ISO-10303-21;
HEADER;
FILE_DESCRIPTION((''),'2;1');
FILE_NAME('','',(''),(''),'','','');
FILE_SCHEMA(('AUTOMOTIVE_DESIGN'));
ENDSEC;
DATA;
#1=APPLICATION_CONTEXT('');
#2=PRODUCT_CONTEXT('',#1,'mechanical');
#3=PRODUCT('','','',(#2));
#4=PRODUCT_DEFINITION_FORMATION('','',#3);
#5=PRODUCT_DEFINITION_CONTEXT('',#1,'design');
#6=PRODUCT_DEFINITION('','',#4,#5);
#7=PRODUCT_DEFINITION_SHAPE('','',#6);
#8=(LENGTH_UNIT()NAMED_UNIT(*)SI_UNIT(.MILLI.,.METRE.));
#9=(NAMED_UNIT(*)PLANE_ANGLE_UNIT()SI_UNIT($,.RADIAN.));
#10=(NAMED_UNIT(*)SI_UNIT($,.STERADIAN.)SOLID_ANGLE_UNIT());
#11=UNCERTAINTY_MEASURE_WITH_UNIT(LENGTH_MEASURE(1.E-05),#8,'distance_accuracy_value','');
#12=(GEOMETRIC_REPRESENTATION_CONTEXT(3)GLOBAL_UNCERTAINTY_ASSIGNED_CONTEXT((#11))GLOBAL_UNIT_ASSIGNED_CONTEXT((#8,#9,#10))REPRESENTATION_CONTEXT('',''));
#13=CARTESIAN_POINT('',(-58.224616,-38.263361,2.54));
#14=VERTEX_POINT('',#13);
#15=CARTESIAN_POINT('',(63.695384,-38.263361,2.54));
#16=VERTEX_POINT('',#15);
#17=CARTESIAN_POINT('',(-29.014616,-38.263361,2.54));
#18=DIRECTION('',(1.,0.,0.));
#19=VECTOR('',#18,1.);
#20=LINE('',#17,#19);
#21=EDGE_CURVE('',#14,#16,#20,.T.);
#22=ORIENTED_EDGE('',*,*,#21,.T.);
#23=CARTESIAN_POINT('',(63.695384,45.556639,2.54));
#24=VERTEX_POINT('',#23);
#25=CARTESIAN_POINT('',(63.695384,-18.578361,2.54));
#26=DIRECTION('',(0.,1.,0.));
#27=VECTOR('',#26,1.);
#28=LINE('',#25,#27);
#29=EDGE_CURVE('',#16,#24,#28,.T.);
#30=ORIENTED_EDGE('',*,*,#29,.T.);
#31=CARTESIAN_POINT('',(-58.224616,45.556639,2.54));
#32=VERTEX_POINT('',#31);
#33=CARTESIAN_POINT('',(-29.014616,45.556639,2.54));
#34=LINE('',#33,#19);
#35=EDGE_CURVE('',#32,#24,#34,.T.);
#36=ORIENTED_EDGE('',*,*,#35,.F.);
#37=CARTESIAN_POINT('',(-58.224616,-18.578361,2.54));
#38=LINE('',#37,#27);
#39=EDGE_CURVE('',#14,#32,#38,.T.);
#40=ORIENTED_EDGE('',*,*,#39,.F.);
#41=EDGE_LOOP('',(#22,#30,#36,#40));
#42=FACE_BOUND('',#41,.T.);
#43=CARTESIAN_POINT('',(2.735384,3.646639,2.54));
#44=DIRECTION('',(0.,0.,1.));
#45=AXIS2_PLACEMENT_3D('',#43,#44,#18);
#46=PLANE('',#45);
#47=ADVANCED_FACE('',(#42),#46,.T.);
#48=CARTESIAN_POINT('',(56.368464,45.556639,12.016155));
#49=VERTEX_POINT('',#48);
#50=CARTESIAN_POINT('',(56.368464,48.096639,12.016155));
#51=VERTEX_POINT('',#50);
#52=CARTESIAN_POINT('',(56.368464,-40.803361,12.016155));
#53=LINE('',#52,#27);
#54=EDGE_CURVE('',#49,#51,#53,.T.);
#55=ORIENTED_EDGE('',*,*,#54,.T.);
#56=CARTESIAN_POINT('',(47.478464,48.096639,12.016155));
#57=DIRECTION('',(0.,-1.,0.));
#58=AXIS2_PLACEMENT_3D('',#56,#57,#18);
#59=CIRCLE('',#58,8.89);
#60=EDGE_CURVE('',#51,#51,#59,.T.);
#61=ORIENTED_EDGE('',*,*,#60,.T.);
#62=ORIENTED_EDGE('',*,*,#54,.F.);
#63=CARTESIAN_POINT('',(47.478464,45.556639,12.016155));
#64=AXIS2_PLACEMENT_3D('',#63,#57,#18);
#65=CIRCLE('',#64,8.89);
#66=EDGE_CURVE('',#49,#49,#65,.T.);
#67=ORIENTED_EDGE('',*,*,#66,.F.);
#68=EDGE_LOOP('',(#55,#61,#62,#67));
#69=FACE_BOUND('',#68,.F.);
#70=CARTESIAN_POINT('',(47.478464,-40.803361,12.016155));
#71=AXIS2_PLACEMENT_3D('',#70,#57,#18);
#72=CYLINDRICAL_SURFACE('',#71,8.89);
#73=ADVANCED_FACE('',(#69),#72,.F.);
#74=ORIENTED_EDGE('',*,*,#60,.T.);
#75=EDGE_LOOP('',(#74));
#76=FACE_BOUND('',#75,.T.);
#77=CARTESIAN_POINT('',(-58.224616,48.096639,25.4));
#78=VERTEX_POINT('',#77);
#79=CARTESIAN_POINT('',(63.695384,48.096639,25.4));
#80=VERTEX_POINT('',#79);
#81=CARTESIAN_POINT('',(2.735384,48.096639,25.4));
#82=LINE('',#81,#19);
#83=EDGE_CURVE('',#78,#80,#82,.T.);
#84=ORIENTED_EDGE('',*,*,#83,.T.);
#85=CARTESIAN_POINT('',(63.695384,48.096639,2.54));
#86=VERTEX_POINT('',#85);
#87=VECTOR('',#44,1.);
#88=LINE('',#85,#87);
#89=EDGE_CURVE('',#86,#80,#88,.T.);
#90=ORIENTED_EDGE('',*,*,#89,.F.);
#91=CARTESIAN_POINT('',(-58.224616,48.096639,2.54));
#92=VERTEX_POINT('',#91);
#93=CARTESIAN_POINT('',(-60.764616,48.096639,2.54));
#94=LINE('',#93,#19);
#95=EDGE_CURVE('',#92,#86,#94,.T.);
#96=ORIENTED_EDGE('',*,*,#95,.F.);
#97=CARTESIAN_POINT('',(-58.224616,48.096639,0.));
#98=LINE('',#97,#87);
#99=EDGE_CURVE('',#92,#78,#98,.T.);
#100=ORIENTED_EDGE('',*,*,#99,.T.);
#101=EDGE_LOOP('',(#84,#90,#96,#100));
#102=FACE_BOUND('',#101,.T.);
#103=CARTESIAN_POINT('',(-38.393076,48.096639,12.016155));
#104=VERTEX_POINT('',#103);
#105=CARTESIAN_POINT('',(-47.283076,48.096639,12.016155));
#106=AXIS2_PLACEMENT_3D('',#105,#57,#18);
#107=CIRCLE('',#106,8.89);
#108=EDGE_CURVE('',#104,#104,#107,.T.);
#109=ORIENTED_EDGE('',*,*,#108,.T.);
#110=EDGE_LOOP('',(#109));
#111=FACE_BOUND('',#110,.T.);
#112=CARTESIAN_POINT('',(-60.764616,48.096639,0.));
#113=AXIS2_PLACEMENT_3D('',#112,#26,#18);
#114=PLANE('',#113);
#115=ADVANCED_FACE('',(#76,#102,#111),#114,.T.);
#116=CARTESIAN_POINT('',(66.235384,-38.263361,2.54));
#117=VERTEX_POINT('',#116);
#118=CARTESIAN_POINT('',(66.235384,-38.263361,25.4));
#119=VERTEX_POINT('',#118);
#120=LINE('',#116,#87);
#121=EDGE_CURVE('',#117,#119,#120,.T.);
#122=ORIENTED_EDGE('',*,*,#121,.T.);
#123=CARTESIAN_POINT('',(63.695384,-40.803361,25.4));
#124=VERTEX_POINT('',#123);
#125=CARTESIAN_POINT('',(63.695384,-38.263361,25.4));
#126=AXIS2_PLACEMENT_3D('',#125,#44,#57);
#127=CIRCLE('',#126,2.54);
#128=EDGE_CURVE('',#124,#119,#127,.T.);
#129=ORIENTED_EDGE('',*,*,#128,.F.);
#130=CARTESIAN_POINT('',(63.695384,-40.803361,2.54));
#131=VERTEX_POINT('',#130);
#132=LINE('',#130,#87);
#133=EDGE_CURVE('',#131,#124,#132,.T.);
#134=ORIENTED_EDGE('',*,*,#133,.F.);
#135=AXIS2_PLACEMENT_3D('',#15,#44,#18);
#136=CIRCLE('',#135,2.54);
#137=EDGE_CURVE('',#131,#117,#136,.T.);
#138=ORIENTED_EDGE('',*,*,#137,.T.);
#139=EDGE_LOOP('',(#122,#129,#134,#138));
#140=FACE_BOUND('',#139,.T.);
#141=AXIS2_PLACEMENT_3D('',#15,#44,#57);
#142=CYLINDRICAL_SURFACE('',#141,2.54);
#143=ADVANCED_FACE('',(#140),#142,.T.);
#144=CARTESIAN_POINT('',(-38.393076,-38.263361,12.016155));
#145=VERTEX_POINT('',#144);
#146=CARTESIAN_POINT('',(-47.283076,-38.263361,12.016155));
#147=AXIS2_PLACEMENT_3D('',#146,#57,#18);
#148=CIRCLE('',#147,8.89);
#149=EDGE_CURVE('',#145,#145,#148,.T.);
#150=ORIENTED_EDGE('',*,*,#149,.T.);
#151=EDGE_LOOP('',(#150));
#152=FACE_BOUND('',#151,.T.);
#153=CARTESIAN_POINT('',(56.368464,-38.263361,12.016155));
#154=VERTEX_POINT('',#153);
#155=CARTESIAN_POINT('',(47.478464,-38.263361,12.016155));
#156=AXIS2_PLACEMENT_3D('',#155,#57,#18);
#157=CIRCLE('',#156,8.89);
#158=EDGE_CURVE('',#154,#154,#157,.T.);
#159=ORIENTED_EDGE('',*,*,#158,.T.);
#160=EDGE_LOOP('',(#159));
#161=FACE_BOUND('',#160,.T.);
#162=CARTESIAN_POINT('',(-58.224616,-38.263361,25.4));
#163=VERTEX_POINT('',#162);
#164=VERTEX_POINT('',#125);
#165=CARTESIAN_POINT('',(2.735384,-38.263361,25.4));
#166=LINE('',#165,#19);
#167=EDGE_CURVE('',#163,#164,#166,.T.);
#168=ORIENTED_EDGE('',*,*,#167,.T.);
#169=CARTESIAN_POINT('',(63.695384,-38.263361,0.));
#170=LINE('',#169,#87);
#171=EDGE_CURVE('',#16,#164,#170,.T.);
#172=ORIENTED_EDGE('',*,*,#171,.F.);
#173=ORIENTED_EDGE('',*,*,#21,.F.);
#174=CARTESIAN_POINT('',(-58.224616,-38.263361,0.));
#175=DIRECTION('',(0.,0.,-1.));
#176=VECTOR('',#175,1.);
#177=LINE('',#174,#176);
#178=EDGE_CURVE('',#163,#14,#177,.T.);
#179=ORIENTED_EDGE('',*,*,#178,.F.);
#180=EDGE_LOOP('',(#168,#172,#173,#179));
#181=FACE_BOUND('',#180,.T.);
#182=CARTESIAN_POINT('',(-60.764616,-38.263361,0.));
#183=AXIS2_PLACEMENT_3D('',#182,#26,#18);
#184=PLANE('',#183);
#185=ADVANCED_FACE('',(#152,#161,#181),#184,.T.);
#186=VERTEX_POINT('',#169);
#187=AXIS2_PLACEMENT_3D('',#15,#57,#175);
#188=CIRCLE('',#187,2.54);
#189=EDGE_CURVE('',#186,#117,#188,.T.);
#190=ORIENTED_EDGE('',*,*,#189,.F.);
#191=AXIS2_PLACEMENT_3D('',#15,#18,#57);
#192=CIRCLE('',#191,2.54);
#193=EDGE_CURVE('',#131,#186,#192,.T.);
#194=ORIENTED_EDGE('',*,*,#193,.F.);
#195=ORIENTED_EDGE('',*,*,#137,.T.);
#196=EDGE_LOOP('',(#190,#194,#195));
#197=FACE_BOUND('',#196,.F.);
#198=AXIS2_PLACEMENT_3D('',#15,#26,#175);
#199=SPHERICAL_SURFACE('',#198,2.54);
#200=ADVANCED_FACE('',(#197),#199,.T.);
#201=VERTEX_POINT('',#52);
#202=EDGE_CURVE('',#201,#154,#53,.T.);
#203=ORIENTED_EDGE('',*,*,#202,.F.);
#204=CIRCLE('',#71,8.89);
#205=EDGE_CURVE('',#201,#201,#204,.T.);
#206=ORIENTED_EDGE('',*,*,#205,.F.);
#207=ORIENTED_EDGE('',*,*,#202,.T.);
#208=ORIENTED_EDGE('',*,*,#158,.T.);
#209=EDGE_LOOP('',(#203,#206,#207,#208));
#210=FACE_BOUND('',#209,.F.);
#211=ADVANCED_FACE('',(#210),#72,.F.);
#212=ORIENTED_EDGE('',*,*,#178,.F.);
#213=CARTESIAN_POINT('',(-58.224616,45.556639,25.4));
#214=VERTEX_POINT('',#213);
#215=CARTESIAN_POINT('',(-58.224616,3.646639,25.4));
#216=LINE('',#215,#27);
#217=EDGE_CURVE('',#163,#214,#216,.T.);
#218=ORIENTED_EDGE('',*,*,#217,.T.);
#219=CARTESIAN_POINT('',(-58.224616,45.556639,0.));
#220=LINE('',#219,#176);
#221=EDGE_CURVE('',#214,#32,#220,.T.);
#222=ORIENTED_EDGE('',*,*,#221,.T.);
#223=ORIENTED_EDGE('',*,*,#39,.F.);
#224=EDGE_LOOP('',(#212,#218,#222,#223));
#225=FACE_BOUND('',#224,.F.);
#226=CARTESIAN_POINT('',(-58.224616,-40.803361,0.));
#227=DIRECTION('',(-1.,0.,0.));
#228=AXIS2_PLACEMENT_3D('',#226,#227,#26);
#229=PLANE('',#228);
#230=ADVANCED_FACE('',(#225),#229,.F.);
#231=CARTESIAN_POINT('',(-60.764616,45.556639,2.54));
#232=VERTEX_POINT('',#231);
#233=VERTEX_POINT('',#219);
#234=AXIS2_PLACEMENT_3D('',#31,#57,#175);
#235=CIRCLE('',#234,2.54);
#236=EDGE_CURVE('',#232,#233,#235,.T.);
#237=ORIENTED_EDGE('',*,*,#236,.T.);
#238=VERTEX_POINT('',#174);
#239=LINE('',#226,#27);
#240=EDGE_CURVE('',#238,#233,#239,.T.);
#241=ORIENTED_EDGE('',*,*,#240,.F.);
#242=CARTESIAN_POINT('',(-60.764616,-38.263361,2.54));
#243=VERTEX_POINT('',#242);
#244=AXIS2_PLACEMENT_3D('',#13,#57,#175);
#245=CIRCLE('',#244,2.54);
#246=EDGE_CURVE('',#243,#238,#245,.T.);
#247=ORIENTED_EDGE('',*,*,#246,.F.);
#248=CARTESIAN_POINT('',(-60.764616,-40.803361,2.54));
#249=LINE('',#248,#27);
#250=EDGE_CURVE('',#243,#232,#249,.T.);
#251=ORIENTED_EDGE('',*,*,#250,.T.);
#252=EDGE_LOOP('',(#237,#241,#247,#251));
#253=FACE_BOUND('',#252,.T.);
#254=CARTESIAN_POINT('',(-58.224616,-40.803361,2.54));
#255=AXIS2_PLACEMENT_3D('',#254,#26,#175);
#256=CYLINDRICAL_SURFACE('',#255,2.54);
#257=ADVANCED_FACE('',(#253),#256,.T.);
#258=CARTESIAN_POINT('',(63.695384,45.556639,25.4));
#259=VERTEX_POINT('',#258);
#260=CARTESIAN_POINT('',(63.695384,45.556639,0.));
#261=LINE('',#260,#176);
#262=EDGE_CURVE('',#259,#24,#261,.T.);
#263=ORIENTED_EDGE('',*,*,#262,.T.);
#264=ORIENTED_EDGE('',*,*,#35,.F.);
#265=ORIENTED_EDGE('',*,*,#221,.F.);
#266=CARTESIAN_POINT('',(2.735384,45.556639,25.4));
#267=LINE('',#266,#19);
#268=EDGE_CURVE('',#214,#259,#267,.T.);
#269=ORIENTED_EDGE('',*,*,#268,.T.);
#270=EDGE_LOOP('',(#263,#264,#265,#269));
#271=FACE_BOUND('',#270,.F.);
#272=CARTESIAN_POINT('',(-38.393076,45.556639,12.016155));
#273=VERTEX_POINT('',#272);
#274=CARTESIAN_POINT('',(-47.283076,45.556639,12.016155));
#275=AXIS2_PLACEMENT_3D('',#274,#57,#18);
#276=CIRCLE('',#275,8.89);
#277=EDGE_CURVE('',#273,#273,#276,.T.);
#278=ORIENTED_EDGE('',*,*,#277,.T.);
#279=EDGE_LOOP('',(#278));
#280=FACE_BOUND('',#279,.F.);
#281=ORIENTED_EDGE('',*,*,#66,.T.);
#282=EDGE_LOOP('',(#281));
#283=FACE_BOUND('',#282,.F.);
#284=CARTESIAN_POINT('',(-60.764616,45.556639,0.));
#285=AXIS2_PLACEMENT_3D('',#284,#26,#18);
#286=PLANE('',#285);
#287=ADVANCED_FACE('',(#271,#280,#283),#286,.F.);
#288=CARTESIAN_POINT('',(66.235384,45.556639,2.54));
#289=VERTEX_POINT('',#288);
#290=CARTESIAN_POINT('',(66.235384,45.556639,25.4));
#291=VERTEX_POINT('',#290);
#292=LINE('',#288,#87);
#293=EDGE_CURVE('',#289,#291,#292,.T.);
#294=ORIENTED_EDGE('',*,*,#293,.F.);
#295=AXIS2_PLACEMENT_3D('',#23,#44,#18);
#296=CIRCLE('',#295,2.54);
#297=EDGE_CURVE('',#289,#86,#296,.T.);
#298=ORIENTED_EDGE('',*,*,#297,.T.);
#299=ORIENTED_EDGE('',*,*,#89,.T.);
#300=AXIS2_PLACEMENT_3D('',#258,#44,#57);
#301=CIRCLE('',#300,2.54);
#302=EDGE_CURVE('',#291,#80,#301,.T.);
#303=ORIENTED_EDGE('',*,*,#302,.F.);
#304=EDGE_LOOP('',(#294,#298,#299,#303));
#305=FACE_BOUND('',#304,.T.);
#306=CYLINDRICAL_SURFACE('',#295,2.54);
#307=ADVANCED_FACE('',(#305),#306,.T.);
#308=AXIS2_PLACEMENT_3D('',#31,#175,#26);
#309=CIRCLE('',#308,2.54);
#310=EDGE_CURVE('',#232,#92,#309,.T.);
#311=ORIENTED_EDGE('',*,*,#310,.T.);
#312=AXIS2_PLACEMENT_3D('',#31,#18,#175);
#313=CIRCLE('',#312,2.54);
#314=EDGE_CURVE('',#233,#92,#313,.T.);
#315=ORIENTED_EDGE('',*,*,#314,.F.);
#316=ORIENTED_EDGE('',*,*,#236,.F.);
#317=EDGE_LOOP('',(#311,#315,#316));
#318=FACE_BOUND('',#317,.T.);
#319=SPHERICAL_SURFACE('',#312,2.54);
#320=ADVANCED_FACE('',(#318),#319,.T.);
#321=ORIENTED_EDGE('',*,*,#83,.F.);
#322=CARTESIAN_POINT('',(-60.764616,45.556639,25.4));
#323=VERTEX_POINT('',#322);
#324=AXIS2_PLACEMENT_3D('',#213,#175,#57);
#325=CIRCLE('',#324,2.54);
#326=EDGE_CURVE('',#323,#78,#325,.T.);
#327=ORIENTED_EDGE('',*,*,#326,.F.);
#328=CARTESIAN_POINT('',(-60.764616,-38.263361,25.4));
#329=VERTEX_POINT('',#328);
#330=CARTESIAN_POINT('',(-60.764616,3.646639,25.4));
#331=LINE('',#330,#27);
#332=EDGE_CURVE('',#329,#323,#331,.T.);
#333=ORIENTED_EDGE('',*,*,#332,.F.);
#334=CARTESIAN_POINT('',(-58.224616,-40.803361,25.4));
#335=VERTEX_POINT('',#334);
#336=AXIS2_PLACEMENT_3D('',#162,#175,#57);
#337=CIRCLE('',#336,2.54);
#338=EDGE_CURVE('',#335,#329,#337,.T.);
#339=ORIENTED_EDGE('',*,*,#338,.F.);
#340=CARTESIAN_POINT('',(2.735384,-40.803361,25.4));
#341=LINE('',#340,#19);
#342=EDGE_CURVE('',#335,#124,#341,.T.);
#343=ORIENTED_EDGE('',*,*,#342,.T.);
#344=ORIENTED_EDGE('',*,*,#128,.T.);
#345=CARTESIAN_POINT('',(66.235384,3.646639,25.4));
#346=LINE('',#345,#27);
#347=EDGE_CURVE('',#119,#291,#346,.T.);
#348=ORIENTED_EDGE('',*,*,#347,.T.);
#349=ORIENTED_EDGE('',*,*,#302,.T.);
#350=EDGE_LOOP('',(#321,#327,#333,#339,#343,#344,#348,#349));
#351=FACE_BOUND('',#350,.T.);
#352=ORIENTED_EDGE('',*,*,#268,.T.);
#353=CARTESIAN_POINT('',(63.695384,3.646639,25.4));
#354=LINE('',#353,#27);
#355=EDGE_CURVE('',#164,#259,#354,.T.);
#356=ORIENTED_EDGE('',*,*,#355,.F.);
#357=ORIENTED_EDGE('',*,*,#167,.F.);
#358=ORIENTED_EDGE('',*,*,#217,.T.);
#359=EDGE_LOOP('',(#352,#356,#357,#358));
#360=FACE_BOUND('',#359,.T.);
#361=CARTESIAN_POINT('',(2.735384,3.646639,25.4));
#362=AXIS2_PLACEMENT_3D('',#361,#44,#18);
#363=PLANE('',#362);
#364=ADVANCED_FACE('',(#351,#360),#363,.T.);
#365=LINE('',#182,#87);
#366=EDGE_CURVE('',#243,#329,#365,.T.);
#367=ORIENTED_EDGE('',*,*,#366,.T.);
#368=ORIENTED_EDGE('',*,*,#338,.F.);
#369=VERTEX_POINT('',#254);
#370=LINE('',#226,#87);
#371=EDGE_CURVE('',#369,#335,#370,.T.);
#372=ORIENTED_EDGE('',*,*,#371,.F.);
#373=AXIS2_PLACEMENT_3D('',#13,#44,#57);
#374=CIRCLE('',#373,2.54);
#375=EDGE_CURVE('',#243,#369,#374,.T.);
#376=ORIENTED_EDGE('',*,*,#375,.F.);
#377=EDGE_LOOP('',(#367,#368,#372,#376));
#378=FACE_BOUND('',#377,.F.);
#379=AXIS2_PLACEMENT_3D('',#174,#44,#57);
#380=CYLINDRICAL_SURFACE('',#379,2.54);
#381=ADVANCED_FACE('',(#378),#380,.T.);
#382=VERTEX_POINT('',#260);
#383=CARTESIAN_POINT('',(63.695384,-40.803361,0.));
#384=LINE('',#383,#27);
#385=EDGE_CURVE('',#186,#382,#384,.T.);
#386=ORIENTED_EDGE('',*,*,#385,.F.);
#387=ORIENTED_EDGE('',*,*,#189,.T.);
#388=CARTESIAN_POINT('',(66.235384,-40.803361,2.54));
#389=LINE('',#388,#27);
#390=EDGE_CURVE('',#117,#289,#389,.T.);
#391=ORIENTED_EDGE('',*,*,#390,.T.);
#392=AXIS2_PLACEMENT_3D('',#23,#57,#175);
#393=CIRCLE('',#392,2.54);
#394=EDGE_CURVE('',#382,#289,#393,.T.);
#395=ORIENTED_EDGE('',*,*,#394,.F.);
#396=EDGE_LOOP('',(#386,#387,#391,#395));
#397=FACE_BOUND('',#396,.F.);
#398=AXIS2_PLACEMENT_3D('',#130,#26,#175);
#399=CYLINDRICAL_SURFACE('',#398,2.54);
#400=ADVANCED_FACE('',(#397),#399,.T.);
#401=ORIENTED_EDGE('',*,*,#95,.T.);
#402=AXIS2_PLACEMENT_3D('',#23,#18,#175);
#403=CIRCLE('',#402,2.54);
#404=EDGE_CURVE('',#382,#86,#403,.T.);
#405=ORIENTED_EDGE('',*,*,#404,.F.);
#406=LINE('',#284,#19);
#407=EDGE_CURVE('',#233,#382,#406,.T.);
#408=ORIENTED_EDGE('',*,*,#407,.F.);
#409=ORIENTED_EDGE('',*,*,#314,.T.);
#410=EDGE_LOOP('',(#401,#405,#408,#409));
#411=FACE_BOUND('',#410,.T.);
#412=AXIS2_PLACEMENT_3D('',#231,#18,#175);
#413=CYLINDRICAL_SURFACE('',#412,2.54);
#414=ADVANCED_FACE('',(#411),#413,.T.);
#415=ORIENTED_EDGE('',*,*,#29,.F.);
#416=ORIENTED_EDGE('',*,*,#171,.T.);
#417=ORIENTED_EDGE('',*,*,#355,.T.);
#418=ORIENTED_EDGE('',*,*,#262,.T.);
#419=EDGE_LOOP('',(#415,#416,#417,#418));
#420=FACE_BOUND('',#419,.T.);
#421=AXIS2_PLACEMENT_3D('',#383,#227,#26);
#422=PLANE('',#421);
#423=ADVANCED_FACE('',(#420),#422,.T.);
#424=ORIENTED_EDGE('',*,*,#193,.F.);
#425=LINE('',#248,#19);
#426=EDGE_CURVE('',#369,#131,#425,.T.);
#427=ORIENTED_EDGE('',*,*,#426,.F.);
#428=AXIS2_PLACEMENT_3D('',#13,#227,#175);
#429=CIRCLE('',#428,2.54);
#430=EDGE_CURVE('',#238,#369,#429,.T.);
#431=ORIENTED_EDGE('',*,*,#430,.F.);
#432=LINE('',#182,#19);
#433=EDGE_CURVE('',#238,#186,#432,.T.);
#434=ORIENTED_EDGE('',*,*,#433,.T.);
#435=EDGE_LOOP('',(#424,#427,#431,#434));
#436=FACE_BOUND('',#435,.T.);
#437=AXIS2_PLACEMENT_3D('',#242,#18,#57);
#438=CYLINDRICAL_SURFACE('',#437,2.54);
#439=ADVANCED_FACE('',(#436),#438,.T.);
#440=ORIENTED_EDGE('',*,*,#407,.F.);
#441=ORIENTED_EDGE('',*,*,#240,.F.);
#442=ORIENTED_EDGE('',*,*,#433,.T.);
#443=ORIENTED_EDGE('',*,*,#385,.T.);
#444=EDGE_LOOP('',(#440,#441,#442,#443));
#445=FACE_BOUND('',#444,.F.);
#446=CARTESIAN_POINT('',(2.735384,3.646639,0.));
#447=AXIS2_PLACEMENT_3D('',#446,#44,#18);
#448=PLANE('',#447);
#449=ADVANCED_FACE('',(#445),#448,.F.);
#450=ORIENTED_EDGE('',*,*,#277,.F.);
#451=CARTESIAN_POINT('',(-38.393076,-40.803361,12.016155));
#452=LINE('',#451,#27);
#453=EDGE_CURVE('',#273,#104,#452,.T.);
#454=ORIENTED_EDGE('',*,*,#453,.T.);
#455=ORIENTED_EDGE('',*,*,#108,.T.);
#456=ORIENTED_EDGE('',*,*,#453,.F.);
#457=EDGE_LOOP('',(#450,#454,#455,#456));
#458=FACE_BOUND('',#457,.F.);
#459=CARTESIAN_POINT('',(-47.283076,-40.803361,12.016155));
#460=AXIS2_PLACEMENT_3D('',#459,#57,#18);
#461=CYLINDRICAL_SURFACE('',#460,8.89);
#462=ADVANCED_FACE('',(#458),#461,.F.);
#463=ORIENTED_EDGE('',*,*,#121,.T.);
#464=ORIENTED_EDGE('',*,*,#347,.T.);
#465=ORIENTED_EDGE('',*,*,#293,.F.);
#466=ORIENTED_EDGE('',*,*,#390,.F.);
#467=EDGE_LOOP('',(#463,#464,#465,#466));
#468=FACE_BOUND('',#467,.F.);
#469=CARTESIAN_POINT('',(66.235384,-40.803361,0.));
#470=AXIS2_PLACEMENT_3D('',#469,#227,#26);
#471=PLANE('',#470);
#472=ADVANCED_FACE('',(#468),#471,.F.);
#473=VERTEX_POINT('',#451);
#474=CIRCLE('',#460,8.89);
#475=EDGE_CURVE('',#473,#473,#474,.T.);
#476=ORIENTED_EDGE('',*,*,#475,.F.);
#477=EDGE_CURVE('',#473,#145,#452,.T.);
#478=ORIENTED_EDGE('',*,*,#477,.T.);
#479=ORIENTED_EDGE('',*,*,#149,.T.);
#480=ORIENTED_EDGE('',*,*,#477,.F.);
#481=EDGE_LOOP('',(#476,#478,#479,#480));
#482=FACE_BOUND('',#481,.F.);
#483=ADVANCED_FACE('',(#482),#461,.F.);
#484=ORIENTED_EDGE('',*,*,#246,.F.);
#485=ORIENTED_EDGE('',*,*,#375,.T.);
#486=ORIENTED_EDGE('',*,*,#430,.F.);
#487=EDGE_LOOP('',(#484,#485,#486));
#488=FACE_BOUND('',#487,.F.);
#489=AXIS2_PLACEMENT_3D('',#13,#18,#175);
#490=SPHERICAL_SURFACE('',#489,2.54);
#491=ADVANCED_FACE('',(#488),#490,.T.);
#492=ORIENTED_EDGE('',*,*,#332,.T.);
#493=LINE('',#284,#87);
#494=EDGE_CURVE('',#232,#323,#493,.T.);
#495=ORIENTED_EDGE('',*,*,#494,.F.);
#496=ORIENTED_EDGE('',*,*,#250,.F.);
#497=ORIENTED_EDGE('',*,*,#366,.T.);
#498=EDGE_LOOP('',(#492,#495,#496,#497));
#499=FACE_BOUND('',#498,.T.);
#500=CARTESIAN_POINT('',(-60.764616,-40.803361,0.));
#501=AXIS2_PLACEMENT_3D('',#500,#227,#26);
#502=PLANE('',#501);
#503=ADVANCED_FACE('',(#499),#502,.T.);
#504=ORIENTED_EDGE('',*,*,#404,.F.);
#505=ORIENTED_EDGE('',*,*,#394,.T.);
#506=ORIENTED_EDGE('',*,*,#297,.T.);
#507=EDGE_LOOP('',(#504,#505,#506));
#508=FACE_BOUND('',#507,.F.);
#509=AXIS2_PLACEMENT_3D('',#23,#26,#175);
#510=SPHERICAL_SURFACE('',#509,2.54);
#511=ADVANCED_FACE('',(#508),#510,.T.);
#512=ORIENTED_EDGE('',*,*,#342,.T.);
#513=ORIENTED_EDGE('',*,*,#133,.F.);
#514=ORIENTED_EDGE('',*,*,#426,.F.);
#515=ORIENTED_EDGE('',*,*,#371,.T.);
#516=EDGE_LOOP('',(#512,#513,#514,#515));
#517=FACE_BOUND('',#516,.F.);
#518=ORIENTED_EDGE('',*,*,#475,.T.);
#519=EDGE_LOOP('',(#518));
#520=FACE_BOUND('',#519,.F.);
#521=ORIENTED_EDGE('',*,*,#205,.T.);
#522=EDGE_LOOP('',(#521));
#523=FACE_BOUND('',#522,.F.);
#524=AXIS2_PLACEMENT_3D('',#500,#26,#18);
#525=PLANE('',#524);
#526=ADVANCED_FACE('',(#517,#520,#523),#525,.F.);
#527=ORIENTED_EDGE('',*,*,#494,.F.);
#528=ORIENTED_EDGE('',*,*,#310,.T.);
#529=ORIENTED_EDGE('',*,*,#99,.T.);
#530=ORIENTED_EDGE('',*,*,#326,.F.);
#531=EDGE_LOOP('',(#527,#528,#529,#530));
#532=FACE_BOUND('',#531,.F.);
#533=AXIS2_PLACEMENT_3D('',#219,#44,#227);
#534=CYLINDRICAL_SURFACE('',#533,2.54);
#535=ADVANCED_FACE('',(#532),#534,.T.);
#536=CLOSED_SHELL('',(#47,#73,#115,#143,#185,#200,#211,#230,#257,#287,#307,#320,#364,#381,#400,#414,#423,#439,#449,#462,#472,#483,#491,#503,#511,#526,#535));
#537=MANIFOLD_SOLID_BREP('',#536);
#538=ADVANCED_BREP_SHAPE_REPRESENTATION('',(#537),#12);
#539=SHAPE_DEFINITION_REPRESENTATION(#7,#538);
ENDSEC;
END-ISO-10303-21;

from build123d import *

# Parameters (mm, degrees)
F0_W     = 127
F0_H     = 88.9
F1_DEPTH = 25.4
F2_T     = -2.54
F3_R     = 8.89
F4_DEPTH = 1270
F5_R     = 2.54
F6_R     = 2.54


with BuildPart() as f1:
    # F0 (on Top) → F1 (new body)
    with BuildSketch(Plane.XY):
        with Locations((2.735384, 3.646639)):
            Rectangle(F0_W, F0_H)
    extrude(amount=F1_DEPTH)

    # F2
    f2_openings = [f1.faces().sort_by_distance(p)[0] for p in [
        (2.735384, 3.646639, 25.4),
    ]]
    offset(amount=F2_T, openings=f2_openings)

    # F3 (on face) → F4 (cut)
    with BuildSketch(Plane.XZ.offset(40.803361)):
        with Locations((-47.283076, 12.016155)):
            Circle(F3_R)
        with Locations((47.478464, 12.016155)):
            Circle(F3_R)
    extrude(amount=-F4_DEPTH, mode=Mode.SUBTRACT)

    # F5
    f5_edges = [f1.edges().sort_by_distance(p)[0] for p in [
        (66.235384, 3.646639, 0),
    ]]
    fillet(f5_edges, radius=F5_R)

    # F6
    f6_edges = [f1.edges().sort_by_distance(p)[0] for p in [
        (1.465384, -40.803361, 0),
        (66.235384, -40.803361, 13.97),
        (66.235384, 48.096639, 13.97),
        (1.465384, 48.096639, 0),
        (-60.764616, 3.646639, 0),
        (-60.764616, 48.096639, 12.7),
        (-60.764616, -40.803361, 12.7),
    ]]
    fillet(f6_edges, radius=F6_R)


solid = f1.part
